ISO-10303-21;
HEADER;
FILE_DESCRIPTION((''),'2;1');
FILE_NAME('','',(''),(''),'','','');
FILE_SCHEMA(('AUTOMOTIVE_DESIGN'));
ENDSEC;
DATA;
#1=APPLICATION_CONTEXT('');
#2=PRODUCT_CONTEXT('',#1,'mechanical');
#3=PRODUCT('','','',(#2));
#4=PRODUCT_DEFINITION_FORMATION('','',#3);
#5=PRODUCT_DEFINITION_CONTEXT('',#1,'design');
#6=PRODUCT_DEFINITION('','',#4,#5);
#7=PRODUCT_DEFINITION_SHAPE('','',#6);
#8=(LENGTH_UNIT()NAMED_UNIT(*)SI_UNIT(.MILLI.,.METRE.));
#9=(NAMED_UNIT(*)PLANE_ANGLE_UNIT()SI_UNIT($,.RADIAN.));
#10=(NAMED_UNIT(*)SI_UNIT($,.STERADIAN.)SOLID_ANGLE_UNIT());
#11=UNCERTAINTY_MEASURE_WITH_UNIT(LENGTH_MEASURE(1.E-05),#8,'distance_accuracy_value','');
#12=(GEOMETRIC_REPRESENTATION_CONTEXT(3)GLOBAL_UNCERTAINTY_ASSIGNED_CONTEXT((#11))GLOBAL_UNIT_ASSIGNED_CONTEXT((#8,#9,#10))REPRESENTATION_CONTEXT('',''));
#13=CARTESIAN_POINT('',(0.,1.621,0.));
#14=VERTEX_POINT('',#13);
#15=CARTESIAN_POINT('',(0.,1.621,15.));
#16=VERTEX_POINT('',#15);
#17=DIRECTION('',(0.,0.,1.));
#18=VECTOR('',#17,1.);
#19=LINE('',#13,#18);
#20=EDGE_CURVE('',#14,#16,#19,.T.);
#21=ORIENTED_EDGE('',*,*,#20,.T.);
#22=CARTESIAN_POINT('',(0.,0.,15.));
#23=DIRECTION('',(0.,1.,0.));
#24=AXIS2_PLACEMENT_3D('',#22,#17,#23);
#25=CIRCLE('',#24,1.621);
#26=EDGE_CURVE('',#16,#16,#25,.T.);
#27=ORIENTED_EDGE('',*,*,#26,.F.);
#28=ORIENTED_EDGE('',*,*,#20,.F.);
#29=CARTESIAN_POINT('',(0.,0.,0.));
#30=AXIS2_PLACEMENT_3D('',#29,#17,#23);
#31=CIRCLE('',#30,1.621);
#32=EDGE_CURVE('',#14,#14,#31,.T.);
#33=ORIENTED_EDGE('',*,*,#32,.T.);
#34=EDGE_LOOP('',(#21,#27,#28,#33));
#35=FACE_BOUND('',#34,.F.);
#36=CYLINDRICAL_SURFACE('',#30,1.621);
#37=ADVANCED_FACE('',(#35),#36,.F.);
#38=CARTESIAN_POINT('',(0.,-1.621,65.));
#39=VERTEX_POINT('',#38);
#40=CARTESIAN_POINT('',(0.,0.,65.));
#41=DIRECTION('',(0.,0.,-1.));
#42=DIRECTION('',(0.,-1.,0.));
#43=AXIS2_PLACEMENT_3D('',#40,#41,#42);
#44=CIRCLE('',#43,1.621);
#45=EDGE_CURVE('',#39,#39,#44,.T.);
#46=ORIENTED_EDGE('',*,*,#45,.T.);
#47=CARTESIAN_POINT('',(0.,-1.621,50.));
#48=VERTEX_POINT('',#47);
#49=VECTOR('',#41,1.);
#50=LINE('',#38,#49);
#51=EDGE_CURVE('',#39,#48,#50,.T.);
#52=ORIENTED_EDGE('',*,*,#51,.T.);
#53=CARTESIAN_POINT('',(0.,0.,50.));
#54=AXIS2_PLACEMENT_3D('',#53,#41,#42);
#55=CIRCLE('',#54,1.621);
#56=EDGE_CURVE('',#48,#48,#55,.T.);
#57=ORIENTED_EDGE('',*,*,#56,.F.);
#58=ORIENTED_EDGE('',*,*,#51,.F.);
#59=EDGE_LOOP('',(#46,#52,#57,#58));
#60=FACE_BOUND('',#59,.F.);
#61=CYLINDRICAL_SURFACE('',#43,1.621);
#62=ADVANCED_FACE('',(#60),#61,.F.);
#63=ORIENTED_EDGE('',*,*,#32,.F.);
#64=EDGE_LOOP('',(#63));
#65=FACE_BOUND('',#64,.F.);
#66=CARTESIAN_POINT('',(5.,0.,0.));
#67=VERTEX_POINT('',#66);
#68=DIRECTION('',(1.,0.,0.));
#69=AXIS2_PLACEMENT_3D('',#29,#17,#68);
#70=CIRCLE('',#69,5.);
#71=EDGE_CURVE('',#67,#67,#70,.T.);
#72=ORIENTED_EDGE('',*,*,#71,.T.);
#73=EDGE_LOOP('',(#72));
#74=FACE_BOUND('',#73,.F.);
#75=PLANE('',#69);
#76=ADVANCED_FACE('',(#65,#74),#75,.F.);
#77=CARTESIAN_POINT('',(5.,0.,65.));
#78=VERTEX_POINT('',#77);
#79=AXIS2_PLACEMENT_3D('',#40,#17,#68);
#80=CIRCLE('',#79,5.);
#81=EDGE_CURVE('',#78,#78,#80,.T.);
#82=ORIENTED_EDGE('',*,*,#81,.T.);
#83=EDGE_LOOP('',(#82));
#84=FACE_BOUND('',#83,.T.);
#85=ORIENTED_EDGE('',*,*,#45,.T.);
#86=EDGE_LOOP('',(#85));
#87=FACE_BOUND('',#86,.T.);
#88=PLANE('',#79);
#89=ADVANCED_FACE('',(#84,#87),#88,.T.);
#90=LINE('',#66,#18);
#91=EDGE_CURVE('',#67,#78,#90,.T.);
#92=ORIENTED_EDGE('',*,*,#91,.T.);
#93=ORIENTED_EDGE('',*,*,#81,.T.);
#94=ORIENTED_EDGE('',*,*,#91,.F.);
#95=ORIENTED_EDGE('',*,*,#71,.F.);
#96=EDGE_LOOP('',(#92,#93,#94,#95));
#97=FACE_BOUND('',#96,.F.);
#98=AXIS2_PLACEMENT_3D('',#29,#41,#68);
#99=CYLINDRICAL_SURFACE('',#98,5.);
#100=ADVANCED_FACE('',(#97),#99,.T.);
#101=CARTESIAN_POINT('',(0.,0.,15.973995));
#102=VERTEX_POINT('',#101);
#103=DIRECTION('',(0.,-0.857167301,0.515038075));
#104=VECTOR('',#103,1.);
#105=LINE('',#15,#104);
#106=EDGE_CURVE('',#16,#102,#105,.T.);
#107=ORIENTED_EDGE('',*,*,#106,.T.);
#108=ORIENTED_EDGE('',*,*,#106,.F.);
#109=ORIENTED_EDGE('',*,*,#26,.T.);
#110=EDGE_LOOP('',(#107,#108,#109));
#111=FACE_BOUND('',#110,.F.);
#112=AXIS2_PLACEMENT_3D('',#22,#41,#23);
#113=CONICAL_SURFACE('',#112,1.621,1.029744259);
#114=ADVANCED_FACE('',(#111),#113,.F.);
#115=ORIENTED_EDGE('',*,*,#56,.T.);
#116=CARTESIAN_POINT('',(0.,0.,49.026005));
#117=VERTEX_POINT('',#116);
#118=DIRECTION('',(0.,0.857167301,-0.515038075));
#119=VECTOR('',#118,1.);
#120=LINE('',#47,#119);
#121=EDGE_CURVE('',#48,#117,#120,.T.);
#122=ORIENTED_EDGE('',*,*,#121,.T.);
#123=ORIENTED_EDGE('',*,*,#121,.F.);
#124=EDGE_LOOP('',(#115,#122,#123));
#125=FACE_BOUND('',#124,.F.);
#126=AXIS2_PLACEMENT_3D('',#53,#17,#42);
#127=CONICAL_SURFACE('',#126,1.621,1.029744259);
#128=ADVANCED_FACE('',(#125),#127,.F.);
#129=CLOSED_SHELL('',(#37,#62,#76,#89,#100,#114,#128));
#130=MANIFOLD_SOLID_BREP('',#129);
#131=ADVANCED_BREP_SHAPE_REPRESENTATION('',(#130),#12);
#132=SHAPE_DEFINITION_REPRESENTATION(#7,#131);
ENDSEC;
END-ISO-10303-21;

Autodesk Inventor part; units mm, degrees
ref_plane "YZ Plane" through (0, 0, 0) normal (1, 0, 0) x (0, 1, 0)
ref_plane "XZ Plane" through (0, 0, 0) normal (0, 1, 0) x (-1, 0, 0)
ref_plane "XY Plane" through (0, 0, 0) normal (0, 0, 1) x (1, 0, 0)
sketch "スケッチ1" plane through (0, 0, 0) normal (0, 0, 1) x (1, 0, 0)
  circle A0 centre (0, 0) radius 5
  dimension "d0" = 10
extrude "押し出し1" add sketch "スケッチ1" along normal blind 65
sketch "スケッチ2" plane through (0, 0, 65) normal (0, 0, 1) x (1, 0, 0)
  point P0 (0, 0)
  point P1 (0, 0)
hole "穴1" at (0, 0, 65) direction (0, 0, -1) diameter 3.242 depth 15 tip angle 118 thread size "M4x0.7" class "6H" standard "ANSI Metric M Profile"
sketch "スケッチ3" plane through (0, 0, 0) normal (0, 0, -1) x (-1, 0, 0)
  circle A0 centre (0, 0) radius 1.621 projected
hole "穴2" at (0, 0, 0) direction (0, 0, 1) diameter 3.242 depth 15 tip angle 118 thread size "M4x0.7" class "6H" standard "ANSI Metric M Profile"
properties part number "link1part3" material "アルミニウム 6061"
